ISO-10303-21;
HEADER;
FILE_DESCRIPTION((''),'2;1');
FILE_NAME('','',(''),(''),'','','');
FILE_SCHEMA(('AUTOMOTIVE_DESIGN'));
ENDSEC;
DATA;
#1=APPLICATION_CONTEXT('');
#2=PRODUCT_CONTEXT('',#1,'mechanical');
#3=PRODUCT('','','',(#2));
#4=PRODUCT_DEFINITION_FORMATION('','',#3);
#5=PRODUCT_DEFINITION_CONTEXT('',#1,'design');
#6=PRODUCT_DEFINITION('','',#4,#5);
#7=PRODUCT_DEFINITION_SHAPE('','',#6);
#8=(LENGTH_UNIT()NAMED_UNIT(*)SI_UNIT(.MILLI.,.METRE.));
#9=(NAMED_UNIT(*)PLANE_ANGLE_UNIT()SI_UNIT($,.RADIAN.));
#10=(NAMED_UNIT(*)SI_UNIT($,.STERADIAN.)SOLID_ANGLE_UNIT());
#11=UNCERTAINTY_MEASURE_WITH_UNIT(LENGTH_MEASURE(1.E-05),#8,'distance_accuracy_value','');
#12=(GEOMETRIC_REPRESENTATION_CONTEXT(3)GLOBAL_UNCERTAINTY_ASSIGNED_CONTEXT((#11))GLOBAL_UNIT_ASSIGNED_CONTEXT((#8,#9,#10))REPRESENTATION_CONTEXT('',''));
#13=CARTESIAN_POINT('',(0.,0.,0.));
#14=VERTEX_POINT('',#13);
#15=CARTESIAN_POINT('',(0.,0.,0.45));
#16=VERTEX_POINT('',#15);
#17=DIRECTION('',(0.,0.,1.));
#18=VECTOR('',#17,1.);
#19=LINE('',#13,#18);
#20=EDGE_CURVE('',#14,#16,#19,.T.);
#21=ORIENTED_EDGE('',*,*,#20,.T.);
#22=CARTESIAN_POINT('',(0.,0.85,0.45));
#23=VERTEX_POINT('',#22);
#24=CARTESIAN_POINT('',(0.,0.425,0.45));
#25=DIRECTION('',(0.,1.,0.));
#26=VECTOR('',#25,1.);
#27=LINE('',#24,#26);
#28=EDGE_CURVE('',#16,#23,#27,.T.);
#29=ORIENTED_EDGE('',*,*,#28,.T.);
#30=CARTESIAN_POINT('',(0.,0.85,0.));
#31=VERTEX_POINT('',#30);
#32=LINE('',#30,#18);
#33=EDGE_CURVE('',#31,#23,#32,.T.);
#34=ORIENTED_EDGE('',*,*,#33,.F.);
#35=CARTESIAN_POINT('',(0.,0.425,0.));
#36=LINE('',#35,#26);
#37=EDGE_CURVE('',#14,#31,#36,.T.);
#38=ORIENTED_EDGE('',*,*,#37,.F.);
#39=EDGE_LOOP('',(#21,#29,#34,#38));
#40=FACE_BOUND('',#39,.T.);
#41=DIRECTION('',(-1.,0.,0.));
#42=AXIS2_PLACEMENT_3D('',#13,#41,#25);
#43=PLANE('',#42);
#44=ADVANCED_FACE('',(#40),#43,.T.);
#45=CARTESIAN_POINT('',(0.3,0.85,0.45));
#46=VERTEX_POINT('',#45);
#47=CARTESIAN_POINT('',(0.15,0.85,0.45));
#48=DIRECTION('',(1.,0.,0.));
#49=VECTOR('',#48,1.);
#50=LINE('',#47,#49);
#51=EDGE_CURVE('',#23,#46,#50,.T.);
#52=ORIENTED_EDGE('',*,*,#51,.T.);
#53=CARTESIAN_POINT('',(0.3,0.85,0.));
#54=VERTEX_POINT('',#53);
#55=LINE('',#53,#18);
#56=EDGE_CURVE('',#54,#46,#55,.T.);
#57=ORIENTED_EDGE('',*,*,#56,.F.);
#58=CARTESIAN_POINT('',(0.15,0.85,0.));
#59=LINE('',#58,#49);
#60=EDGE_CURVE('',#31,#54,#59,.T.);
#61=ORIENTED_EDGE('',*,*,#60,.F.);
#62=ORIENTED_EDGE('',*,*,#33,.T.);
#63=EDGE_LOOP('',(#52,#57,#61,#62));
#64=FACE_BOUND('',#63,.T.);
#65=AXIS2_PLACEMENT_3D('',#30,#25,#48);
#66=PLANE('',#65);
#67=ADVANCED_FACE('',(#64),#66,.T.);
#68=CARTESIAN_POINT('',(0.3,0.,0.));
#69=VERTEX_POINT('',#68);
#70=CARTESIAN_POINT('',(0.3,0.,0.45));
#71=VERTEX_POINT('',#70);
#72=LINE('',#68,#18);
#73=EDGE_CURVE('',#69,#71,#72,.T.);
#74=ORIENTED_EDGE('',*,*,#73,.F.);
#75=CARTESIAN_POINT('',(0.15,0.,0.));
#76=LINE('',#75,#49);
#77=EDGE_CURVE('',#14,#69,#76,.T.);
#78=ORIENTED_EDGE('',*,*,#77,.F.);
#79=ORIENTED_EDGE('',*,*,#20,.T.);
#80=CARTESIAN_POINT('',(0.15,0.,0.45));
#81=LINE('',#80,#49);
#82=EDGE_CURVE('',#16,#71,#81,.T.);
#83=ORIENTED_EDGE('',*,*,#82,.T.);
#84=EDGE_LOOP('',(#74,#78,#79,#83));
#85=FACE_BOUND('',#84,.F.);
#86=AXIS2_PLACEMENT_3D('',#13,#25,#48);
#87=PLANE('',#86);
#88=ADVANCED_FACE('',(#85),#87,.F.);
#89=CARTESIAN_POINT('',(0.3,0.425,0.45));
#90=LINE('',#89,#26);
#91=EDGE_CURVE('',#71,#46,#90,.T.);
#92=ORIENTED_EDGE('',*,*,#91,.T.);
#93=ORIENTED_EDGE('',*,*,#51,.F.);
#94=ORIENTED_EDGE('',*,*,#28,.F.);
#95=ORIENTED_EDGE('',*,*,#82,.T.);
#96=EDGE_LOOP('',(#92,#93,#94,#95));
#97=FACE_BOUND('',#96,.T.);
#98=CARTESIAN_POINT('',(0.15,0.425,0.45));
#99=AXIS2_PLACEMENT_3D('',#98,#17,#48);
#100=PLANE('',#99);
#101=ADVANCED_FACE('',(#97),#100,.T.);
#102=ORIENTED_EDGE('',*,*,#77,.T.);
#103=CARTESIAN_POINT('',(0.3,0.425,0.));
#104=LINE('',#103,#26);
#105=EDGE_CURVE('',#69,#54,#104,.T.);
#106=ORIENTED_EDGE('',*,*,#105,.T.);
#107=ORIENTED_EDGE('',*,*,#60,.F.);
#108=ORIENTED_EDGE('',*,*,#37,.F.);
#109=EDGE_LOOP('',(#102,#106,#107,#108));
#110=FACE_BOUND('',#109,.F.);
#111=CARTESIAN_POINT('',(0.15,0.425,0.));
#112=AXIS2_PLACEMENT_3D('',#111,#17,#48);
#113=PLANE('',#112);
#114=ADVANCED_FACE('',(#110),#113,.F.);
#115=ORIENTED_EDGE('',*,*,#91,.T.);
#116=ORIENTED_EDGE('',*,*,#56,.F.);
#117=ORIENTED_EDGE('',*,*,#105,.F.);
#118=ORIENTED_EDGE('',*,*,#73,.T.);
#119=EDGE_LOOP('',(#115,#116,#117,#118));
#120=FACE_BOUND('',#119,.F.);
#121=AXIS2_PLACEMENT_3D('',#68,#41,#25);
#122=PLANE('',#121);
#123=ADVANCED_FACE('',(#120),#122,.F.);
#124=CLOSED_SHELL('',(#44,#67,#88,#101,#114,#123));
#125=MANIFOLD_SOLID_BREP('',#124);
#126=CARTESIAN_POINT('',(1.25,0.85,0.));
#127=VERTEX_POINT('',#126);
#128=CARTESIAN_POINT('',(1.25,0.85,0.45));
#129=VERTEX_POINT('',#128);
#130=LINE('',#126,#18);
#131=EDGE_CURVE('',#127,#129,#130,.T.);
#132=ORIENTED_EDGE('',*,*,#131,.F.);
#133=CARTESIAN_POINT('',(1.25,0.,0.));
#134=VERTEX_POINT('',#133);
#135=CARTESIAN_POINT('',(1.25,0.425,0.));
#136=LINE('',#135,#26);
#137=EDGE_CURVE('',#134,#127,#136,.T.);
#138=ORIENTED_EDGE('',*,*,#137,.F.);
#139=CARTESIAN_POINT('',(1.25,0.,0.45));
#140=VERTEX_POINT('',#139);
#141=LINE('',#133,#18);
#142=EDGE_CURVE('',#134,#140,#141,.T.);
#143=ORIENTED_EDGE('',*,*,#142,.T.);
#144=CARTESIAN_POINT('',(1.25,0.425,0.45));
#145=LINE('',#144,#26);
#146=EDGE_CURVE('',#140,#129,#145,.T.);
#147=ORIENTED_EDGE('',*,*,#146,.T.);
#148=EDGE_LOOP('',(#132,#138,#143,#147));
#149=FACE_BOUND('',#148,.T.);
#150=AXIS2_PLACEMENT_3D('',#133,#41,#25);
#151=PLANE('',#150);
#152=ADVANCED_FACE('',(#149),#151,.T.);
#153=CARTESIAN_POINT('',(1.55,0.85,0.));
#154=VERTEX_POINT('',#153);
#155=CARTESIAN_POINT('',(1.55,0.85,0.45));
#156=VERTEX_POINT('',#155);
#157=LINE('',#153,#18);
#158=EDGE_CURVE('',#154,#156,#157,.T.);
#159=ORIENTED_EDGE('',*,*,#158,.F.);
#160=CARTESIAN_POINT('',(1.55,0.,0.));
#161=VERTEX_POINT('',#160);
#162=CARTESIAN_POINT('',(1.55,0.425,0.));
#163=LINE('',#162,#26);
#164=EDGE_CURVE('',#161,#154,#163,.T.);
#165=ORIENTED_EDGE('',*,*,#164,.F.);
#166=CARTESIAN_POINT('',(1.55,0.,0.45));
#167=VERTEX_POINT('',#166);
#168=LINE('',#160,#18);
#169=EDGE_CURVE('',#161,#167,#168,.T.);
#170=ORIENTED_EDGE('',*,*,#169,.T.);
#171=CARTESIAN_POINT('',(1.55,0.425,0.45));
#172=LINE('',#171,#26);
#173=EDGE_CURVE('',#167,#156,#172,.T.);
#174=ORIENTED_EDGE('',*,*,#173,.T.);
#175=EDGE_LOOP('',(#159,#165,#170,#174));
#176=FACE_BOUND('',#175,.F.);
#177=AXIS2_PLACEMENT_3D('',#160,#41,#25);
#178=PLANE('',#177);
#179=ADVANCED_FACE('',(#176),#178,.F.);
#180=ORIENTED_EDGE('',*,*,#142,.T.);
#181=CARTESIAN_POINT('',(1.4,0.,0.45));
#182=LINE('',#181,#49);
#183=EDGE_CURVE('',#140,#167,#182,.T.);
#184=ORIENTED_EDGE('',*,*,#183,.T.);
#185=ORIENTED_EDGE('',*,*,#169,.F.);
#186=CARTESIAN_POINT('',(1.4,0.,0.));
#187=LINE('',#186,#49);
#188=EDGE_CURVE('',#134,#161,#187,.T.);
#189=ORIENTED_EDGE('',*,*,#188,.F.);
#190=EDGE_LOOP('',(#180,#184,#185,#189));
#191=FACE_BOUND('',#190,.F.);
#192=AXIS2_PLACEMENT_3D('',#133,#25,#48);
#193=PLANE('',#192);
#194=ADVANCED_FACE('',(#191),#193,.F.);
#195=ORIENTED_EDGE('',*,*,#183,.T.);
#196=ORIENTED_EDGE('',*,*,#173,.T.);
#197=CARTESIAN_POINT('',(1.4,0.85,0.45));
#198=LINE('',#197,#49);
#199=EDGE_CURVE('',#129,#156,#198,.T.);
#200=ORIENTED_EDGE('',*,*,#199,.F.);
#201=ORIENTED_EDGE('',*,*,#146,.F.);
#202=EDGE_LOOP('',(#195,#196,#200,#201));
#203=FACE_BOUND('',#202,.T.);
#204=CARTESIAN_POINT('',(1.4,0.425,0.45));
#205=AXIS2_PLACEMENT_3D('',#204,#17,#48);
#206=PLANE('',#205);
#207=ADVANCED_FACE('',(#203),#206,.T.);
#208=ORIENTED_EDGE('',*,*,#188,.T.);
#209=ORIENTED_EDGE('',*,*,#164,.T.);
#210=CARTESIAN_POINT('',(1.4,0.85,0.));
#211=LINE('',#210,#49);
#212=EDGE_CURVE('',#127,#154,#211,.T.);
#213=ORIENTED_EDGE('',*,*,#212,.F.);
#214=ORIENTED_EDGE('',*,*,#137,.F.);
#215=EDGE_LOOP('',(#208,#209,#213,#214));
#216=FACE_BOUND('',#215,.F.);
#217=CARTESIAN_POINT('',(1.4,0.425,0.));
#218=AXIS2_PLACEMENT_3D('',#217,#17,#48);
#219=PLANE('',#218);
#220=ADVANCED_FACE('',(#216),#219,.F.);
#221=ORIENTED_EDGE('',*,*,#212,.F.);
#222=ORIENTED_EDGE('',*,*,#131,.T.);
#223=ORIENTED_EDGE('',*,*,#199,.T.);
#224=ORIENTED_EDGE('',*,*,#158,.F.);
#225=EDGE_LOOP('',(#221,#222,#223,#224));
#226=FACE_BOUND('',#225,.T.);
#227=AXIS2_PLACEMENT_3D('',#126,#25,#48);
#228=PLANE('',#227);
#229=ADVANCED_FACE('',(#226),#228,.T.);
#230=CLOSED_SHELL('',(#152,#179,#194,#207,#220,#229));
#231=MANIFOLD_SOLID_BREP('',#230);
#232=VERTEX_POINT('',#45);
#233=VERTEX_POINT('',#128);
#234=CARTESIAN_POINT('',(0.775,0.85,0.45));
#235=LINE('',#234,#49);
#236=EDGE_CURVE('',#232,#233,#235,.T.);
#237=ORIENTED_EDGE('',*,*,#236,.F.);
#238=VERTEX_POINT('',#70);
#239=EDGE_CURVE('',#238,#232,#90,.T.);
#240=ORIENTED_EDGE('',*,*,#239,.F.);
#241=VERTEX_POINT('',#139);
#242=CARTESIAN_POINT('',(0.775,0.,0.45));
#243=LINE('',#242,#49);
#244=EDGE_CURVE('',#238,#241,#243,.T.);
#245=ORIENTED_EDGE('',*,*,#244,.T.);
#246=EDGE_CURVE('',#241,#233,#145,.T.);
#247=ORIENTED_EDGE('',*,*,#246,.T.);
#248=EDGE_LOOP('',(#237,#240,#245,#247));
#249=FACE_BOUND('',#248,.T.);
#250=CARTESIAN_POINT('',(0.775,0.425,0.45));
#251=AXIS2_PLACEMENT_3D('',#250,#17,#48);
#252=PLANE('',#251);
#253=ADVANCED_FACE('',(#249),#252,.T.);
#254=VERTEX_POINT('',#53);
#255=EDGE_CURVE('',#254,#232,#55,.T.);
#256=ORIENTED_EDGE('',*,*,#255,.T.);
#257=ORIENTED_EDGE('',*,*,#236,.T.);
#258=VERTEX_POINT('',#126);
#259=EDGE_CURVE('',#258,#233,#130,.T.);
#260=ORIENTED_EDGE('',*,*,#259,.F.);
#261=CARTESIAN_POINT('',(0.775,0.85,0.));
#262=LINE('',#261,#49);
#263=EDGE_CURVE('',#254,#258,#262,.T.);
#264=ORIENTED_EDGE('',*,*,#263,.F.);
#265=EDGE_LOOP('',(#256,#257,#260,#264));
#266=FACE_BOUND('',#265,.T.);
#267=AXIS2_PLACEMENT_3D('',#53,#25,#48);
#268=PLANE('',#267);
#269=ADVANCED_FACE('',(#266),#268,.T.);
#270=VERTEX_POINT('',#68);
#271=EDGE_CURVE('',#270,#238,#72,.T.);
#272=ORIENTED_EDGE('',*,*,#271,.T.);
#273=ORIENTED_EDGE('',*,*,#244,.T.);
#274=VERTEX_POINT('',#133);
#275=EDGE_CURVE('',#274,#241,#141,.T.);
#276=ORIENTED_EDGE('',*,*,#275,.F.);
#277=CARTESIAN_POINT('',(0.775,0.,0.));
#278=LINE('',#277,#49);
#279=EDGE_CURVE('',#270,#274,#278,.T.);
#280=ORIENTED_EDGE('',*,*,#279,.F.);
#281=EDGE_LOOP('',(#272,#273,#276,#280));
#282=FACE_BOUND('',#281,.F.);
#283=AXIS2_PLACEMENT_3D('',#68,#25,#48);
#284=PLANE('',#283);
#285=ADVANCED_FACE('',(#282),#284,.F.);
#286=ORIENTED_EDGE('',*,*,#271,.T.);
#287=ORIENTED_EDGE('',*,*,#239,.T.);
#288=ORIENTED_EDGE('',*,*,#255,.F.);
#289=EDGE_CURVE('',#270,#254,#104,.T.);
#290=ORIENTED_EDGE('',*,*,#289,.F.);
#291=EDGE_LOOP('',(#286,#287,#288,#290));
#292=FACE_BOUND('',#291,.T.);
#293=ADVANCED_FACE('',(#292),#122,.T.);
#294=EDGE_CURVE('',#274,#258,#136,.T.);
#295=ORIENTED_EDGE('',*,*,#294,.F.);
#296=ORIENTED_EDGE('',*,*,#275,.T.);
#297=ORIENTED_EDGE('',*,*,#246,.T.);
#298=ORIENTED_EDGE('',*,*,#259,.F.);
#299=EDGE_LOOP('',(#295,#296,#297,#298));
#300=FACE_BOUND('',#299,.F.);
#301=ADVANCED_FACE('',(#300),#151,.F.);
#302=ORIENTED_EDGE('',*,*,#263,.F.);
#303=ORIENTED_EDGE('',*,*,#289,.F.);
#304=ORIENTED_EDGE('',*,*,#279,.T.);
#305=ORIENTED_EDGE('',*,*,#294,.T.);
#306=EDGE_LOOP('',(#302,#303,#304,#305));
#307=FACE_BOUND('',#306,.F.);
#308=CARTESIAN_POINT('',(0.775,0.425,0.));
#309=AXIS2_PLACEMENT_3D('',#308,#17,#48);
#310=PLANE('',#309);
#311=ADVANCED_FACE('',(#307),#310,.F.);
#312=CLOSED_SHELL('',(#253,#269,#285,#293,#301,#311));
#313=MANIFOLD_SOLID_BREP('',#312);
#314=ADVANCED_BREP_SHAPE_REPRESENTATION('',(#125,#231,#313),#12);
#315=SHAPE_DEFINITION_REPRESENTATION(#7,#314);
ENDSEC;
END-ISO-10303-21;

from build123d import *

# Parameters (mm, degrees)
BOX_W        = 0.3
BOX_H        = 0.85
BOX_DEPTH    = 0.45
BOX001_W     = 0.95
BOX001_H     = 0.85
BOX001_DEPTH = 0.45
BOX002_W     = 0.3
BOX002_H     = 0.85
BOX002_DEPTH = 0.45


with BuildPart() as pad001:
    # Box → Box (new body)
    with BuildSketch(Plane.XY):
        with Locations((0.15, 0.425)):
            Rectangle(BOX_W, BOX_H)
    extrude(amount=BOX_DEPTH)


with BuildPart() as corpo:
    # Box001 → Box001 (new body)
    with BuildSketch(Plane(origin=(0.3, 0, 0), x_dir=(1, 0, 0), z_dir=(0, 0, 1))):
        with Locations((0.475, 0.425)):
            Rectangle(BOX001_W, BOX001_H)
    extrude(amount=BOX001_DEPTH)


with BuildPart() as pad002:
    # Box002 → Box002 (new body)
    with BuildSketch(Plane(origin=(1.25, 0, 0), x_dir=(1, 0, 0), z_dir=(0, 0, 1))):
        with Locations((0.15, 0.425)):
            Rectangle(BOX002_W, BOX002_H)
    extrude(amount=BOX002_DEPTH)


solid = Compound([pad001.part, corpo.part, pad002.part])
